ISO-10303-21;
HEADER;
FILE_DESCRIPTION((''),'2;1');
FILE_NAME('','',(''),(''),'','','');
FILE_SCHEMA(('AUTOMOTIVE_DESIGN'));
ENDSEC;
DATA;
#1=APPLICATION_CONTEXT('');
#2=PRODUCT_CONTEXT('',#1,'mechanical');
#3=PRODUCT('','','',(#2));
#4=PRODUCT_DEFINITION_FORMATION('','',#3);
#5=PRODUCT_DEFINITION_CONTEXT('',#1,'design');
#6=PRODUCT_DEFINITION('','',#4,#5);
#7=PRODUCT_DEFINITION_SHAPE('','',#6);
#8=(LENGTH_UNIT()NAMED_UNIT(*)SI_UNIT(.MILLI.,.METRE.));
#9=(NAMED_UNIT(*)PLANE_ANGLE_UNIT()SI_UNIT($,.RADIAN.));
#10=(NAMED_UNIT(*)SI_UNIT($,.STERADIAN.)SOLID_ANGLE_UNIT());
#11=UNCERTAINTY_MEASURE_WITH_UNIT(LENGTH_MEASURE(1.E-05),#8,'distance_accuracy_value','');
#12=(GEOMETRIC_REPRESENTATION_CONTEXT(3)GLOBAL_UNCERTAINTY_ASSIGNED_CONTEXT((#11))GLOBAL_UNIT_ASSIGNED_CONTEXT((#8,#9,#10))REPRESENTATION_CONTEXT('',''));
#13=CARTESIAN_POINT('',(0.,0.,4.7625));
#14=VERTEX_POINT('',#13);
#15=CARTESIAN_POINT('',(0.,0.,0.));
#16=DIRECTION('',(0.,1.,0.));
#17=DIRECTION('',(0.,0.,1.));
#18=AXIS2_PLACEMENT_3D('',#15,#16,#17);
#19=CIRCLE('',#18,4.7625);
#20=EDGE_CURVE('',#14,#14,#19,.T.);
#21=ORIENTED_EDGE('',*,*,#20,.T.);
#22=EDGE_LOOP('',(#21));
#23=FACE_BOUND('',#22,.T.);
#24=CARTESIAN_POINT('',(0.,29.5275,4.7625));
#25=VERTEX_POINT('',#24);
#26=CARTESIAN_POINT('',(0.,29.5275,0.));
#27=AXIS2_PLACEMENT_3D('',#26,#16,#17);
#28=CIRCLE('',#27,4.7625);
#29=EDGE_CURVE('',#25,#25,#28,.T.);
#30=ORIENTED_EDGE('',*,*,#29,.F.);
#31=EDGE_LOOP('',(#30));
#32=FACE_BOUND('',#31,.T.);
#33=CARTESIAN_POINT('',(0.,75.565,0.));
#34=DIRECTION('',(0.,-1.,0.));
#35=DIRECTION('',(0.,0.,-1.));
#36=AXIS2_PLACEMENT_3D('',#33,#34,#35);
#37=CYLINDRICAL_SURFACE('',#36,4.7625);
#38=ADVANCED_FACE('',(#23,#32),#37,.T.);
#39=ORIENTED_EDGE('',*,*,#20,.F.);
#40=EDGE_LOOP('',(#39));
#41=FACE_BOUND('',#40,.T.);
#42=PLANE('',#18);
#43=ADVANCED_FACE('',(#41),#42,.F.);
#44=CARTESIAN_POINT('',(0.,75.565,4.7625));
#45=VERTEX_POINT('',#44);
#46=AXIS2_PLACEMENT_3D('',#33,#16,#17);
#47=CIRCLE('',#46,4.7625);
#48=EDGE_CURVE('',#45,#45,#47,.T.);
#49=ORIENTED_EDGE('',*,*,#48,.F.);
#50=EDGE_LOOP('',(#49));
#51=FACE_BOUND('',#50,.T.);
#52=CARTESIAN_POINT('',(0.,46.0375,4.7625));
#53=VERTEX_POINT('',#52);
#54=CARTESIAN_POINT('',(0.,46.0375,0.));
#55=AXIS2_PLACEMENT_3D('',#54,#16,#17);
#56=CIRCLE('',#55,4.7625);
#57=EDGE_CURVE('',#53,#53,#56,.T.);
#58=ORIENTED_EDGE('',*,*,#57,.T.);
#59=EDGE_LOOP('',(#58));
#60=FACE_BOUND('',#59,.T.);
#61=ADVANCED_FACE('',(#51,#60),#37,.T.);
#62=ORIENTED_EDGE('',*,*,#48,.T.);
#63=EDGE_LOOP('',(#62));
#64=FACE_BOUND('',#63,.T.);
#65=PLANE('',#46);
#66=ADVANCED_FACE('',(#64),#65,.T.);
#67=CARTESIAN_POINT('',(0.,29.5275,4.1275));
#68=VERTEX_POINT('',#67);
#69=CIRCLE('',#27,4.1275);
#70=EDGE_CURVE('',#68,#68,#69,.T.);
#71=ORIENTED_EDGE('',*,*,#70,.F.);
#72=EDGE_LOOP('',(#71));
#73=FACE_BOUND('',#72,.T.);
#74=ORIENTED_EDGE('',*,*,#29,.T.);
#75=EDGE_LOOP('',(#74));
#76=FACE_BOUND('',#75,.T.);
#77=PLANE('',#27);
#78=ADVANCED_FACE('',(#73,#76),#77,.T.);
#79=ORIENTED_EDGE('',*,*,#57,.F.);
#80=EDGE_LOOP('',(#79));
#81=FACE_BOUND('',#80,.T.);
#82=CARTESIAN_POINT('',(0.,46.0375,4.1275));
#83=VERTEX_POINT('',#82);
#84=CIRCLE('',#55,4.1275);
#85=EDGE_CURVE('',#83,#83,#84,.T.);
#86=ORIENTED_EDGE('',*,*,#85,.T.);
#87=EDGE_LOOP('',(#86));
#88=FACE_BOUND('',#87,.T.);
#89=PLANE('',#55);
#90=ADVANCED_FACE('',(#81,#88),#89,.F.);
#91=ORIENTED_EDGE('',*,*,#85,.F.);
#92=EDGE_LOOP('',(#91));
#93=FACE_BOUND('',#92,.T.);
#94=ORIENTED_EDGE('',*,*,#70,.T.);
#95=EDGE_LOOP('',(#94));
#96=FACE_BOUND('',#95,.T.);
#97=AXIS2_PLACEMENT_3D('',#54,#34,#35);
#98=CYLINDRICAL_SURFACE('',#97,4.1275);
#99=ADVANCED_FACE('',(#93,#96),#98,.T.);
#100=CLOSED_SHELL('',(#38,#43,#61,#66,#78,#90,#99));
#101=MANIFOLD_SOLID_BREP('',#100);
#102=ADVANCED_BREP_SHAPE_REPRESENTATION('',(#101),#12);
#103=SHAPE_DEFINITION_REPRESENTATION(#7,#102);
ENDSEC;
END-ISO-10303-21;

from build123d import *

# Parameters (mm, degrees)
SKETCH2_R               = 4.7625
BOSS_EXTRUDE1_DEPTH     = 75.565
CUT_EXTRUDE1_DEPTH      = 8.255
CUT_EXTRUDE1_DEPTH_BACK = 8.255
SKETCH3_OUTSIDE_W       = 26.878
SKETCH3_OUTSIDE_H       = 26.878
SKETCH3_OUTSIDE_R       = 4.1275


with BuildPart() as part:
    # Sketch2 → Boss-Extrude1 (new body)
    with BuildSketch(Plane(origin=(0, 0, 0), x_dir=(1, 0, 0), z_dir=(0, 1, 0))):
        with Locations(Location((0, 0, 0), (0, 0, 270))):
            Circle(SKETCH2_R)
    extrude(amount=BOSS_EXTRUDE1_DEPTH)

    # Sketch3 outside → Cut-Extrude1 (cut, two sides: drawn at the far end of the back side and taken through both)
    with BuildSketch(Plane(origin=(0, 37.7825, 0), x_dir=(1, 0, 0), z_dir=(0, 1, 0)).offset(-CUT_EXTRUDE1_DEPTH_BACK)):
        Rectangle(SKETCH3_OUTSIDE_W, SKETCH3_OUTSIDE_H)
        with Locations(Location((0, 0, 0), (0, 0, 270))):
            Circle(SKETCH3_OUTSIDE_R, mode=Mode.SUBTRACT)
    extrude(amount=CUT_EXTRUDE1_DEPTH + CUT_EXTRUDE1_DEPTH_BACK, mode=Mode.SUBTRACT)


solid = part.part
